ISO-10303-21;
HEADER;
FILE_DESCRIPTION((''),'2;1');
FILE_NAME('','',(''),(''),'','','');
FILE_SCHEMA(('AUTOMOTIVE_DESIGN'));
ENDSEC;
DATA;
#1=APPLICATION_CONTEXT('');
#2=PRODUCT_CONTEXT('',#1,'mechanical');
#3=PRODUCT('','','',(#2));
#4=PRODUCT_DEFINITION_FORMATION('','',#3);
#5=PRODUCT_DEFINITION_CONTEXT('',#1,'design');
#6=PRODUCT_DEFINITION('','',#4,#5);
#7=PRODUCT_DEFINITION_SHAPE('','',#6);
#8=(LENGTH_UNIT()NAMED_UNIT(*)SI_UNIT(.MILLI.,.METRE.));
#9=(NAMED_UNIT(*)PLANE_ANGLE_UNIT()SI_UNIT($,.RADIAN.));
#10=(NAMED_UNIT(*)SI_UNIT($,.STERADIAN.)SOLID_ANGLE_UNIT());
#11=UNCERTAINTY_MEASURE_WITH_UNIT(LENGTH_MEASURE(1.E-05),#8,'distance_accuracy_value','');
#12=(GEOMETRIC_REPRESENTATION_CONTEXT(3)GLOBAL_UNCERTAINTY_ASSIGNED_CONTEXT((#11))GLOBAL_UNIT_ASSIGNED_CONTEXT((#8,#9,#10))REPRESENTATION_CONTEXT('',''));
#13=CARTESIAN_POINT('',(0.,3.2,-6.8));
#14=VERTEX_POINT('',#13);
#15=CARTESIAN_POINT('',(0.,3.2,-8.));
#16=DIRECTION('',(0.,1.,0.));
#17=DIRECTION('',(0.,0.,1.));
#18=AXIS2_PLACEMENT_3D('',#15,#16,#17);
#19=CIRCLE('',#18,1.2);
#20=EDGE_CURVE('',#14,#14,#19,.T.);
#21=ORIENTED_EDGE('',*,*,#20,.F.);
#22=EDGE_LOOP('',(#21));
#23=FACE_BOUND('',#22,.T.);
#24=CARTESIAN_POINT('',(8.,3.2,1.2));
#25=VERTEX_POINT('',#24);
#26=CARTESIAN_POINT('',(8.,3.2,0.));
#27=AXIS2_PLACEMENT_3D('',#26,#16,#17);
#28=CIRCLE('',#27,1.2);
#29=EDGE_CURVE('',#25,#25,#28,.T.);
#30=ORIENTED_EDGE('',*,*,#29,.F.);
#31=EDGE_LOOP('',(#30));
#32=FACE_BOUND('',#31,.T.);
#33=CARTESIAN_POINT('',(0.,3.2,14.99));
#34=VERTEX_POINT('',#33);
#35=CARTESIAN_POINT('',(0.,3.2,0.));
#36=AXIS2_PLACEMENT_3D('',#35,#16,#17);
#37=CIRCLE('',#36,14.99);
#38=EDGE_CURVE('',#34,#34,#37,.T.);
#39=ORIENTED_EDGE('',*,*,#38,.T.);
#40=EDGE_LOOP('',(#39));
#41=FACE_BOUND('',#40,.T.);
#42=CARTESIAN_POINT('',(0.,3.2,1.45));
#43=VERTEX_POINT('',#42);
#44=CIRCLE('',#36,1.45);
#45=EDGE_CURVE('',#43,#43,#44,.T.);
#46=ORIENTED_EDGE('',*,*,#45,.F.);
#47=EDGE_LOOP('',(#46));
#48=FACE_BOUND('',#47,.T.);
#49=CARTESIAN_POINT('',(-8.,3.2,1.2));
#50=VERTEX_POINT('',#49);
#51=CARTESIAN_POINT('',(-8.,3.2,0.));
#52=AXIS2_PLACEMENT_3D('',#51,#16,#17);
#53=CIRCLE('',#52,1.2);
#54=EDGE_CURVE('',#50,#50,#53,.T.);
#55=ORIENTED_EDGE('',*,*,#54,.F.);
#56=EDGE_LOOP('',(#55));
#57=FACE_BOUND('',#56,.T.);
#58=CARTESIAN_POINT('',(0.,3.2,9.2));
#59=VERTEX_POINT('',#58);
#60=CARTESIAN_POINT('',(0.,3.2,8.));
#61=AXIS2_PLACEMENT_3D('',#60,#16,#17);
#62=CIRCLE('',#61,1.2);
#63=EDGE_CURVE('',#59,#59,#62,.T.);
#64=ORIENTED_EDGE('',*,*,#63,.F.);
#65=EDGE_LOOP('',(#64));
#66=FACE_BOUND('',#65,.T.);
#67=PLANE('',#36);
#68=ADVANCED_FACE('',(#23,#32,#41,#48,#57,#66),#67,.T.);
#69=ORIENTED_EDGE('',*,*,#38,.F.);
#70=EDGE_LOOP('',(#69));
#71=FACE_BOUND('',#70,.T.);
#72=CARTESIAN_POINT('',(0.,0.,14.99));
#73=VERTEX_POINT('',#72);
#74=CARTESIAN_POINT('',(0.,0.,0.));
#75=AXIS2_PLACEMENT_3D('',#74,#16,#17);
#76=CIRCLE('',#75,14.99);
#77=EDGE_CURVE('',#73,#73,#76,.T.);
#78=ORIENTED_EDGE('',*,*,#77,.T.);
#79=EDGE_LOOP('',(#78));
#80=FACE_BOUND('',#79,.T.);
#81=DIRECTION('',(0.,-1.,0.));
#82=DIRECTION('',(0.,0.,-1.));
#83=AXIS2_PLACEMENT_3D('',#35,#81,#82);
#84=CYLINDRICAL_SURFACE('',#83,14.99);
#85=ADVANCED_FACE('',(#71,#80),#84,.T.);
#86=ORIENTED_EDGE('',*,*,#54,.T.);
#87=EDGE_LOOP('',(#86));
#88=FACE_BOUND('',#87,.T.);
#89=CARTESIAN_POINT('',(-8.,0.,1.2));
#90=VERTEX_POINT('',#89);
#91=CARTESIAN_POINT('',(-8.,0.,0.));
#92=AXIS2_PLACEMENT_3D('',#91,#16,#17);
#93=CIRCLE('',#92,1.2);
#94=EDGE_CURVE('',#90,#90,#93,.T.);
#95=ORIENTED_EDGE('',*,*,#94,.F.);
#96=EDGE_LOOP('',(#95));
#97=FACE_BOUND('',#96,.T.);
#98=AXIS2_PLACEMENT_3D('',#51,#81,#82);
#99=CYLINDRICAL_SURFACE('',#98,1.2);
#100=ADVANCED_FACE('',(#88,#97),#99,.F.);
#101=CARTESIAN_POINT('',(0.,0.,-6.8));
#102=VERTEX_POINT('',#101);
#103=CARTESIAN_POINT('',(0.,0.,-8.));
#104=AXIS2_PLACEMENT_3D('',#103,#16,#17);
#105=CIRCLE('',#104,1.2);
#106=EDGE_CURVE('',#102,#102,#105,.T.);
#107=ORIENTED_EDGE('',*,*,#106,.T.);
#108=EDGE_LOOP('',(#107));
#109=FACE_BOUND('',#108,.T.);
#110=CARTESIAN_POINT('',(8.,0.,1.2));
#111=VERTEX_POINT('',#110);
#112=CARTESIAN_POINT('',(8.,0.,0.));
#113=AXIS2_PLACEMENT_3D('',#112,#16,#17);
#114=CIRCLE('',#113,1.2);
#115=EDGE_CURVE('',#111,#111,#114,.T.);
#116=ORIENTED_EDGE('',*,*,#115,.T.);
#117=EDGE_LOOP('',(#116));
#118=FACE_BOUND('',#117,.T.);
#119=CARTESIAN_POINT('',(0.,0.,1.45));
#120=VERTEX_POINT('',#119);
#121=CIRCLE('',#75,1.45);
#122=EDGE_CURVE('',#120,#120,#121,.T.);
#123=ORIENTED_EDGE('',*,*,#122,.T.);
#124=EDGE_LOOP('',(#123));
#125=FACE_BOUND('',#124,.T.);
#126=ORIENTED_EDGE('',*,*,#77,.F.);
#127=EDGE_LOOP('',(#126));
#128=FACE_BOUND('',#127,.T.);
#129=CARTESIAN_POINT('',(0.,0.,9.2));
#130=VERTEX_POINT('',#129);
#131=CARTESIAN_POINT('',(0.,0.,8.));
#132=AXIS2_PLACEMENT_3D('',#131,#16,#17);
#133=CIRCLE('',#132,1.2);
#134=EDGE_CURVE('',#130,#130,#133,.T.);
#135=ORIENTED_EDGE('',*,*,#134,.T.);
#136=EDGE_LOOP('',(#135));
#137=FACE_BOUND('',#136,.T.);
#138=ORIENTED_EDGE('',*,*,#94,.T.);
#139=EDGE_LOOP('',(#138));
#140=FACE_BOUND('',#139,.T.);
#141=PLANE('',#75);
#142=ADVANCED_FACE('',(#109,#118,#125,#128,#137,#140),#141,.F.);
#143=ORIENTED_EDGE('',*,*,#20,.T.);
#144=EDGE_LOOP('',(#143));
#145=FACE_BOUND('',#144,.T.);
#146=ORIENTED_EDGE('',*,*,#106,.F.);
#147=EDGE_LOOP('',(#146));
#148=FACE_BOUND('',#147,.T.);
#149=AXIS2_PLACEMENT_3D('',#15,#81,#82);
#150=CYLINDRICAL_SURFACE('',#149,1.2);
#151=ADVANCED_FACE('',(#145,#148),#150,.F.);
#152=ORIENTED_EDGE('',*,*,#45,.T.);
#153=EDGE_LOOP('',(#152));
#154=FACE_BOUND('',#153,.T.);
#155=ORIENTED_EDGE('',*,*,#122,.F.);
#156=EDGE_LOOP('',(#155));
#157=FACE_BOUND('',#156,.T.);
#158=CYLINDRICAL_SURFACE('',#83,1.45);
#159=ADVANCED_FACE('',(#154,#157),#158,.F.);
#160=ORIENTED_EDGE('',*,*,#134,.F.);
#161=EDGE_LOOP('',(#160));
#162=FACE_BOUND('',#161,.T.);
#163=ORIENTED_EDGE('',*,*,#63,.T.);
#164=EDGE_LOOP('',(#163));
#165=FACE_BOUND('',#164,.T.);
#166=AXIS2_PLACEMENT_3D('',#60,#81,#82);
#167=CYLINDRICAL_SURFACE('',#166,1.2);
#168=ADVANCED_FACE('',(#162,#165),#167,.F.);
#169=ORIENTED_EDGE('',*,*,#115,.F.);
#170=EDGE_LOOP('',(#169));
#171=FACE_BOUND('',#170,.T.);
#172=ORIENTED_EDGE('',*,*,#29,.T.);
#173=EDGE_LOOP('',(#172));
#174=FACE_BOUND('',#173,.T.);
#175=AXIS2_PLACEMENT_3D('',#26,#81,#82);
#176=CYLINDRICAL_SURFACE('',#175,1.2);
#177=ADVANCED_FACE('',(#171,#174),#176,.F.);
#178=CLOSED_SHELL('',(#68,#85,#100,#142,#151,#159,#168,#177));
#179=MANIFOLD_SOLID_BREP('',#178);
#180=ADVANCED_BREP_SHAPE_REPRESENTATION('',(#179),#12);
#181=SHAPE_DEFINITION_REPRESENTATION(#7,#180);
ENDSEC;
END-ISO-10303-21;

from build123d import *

# Parameters (mm, degrees)
SKETCH1_R           = 14.99
SKETCH1_R_2         = 1.45
SKETCH1_R_3         = 1.2
BOSS_EXTRUDE1_DEPTH = 3.2


with BuildPart() as part:
    # Sketch1 → Boss-Extrude1 (new body)
    with BuildSketch(Plane(origin=(0, 0, 0), x_dir=(1, 0, 0), z_dir=(0, 1, 0))):
        Circle(SKETCH1_R)
        Circle(SKETCH1_R_2, mode=Mode.SUBTRACT)
        with Locations((0, 8)):
            Circle(SKETCH1_R_3, mode=Mode.SUBTRACT)
        with Locations((8, 0)):
            Circle(SKETCH1_R_3, mode=Mode.SUBTRACT)
        with Locations((0, -8)):
            Circle(SKETCH1_R_3, mode=Mode.SUBTRACT)
        with Locations((-8, 0)):
            Circle(SKETCH1_R_3, mode=Mode.SUBTRACT)
    extrude(amount=BOSS_EXTRUDE1_DEPTH)


solid = part.part
